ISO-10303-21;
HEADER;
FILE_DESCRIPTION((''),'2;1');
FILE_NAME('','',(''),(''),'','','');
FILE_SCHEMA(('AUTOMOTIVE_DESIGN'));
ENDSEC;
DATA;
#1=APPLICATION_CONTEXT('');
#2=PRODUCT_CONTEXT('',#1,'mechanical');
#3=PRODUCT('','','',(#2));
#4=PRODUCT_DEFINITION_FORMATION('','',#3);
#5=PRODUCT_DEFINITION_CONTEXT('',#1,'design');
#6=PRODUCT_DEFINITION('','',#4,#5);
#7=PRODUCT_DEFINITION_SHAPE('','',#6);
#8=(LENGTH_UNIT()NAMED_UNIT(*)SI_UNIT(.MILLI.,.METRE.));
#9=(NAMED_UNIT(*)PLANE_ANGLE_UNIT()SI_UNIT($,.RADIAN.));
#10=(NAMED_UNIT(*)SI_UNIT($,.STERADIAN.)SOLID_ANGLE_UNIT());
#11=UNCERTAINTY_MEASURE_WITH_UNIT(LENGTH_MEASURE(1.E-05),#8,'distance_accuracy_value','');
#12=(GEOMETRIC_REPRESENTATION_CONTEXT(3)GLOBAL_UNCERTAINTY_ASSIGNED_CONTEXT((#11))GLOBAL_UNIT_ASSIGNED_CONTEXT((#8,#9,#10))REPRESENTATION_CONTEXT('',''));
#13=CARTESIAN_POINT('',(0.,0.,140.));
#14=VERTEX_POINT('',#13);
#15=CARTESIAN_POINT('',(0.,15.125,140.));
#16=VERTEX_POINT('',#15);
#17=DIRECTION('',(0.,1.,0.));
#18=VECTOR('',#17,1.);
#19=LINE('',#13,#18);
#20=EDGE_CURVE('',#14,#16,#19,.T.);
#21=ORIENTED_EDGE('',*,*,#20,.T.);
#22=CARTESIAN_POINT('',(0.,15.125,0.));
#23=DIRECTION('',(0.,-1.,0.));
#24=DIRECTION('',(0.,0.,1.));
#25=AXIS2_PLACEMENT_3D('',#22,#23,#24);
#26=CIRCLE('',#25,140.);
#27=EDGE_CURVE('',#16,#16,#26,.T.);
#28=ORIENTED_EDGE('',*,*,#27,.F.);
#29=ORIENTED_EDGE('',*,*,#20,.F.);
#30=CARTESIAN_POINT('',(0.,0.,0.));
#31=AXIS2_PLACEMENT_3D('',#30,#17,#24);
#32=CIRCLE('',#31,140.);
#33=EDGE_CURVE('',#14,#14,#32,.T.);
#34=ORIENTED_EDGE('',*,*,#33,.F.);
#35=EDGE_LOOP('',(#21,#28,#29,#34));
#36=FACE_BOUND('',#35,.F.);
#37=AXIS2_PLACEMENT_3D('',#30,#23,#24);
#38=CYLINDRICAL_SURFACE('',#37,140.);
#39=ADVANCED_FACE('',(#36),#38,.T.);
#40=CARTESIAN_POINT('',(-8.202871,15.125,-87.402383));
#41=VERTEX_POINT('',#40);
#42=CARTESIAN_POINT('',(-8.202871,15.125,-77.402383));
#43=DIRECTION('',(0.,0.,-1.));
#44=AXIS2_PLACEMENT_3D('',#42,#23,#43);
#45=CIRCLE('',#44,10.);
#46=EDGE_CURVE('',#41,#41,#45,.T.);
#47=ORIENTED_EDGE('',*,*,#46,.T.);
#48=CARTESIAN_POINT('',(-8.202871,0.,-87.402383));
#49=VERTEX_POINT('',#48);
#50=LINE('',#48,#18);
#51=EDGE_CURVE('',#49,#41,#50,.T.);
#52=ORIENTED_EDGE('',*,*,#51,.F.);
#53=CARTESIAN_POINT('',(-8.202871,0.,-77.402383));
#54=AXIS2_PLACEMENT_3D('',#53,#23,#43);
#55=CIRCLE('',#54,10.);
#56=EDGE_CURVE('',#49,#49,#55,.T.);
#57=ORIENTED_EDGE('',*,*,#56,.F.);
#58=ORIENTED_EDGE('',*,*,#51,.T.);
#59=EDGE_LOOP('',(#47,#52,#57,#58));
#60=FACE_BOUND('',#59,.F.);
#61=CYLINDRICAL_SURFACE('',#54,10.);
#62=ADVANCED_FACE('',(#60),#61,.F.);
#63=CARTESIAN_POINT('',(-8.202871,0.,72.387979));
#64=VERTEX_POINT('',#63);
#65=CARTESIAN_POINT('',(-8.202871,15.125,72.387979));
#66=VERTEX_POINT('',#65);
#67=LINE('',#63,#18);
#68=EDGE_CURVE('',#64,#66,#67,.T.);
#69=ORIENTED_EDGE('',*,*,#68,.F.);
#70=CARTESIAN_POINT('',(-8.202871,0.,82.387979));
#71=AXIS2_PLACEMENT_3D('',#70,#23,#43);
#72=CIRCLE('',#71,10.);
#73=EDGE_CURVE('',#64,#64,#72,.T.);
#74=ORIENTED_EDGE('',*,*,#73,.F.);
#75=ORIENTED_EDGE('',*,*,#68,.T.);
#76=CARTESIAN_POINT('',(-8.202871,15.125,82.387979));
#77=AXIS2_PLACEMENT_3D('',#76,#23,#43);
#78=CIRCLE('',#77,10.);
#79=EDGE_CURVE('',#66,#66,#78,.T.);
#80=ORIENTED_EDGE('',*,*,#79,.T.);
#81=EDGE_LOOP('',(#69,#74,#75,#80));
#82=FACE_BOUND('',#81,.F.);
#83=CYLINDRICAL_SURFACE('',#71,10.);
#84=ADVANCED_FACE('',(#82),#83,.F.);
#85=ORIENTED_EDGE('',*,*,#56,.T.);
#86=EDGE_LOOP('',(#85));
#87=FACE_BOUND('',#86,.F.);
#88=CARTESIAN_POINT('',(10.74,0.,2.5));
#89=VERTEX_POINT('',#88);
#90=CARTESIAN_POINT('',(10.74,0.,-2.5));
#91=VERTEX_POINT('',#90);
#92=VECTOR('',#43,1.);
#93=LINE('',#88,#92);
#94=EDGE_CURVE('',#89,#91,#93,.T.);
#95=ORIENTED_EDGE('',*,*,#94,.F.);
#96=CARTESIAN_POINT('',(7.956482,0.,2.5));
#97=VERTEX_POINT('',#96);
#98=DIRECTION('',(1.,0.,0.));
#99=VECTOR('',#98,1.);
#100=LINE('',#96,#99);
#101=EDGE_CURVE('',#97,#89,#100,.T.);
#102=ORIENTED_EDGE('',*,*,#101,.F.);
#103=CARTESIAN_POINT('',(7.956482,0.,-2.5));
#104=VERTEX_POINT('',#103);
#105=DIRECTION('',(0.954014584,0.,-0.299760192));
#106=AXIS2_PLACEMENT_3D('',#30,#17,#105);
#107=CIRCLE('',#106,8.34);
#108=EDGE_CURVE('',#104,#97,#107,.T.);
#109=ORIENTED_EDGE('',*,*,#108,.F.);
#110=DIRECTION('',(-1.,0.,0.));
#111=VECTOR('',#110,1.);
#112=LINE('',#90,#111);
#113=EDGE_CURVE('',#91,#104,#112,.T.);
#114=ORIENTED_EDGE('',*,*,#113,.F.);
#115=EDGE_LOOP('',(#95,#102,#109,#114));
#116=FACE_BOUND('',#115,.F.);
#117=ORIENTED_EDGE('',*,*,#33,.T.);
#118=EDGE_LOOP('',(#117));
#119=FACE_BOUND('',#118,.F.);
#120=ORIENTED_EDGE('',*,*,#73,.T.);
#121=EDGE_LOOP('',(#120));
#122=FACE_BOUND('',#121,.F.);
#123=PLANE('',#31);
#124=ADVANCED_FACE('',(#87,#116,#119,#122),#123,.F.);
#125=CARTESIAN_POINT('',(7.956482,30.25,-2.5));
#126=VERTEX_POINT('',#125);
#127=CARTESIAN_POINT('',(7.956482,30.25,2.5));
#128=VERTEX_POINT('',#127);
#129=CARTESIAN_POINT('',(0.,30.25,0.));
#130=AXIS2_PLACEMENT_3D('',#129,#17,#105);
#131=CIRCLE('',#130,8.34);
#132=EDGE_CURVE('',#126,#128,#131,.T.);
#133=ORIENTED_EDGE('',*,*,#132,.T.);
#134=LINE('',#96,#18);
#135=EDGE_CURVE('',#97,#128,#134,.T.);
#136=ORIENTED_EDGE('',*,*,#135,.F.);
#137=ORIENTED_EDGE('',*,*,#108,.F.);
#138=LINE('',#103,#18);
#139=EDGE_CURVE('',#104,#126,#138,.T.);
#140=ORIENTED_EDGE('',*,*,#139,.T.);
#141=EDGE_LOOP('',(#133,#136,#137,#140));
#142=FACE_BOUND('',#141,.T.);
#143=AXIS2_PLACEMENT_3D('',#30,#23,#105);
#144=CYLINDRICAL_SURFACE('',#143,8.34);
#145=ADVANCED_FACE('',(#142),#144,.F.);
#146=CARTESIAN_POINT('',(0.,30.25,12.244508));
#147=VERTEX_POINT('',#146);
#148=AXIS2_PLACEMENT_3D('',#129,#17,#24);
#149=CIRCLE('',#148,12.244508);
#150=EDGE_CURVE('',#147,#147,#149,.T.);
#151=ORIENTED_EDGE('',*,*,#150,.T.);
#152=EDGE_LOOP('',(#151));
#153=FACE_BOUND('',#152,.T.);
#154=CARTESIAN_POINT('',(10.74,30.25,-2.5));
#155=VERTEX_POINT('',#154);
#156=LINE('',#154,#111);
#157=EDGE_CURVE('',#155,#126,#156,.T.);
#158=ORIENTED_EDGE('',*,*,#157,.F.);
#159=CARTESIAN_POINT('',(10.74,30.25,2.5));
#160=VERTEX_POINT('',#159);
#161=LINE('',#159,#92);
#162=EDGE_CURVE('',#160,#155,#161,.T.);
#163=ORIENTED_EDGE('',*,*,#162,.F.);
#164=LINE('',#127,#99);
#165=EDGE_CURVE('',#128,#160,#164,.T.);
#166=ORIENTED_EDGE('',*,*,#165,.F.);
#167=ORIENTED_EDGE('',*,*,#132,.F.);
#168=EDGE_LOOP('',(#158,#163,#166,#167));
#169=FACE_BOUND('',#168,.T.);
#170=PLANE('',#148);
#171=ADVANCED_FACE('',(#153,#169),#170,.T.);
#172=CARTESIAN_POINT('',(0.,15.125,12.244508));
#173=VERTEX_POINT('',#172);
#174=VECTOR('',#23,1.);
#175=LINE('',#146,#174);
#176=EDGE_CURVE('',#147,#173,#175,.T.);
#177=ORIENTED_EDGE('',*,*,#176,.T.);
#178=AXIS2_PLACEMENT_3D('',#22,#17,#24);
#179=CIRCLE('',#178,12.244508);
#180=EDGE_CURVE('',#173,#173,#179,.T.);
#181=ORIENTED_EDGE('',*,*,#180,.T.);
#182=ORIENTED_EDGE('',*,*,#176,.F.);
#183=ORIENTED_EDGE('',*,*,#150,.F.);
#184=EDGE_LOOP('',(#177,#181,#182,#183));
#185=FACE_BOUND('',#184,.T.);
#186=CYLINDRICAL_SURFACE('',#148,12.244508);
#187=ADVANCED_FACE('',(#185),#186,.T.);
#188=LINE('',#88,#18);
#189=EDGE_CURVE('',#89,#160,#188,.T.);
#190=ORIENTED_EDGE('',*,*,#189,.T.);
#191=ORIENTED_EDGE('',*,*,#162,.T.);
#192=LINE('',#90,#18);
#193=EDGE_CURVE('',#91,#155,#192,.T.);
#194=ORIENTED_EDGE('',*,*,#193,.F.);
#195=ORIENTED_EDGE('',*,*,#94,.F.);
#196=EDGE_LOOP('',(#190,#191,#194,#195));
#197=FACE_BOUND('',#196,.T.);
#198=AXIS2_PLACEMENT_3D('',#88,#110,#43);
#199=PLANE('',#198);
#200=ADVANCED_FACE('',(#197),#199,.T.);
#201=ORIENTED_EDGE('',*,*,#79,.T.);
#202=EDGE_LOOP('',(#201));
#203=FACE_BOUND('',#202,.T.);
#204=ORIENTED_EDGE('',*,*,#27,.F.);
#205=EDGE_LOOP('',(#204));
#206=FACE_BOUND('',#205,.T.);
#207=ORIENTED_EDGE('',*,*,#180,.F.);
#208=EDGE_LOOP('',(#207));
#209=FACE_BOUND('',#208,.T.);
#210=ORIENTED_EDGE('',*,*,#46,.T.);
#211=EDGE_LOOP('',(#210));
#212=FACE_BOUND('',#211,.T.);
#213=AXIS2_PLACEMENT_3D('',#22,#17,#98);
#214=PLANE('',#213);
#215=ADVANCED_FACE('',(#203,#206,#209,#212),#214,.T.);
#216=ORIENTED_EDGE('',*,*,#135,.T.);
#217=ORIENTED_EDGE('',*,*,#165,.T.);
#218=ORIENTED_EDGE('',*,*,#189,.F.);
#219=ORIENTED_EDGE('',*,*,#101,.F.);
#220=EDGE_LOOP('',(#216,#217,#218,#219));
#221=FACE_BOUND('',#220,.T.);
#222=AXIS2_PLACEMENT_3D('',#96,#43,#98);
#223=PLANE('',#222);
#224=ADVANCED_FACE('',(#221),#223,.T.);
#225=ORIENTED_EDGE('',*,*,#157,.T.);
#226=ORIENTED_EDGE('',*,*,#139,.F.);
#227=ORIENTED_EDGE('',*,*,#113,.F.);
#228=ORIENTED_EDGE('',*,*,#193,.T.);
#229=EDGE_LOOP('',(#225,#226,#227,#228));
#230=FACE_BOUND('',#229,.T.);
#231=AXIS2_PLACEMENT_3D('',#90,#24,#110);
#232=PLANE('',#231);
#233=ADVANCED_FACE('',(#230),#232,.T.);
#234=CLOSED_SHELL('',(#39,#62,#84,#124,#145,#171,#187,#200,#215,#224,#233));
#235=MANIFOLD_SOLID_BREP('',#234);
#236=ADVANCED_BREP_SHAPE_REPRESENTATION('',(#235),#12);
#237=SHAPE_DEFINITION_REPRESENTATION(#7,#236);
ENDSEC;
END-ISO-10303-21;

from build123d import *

# Parameters (mm, degrees)
SKETCH1_R           = 140
BOSS_EXTRUDE1_DEPTH = 30.25
SKETCH2_R           = 36.5
SKETCH2_R_2         = 12.2445076
CUT_EXTRUDE1_DEPTH  = 15.125
SKETCH3_R           = 150
SKETCH3_R_2         = 12.938699975
CUT_EXTRUDE3_DEPTH  = 60
SKETCH4_R           = 10
CUT_EXTRUDE4_DEPTH  = 20


with BuildPart() as part:
    # Sketch1 → Boss-Extrude1 (new body)
    with BuildSketch(Plane(origin=(0, 0, 0), x_dir=(1, 0, 0), z_dir=(0, 1, 0))):
        with Locations(Location((0, 0, 0), (0, 0, 270))):
            Circle(SKETCH1_R)
        with BuildLine():
            Line((10.74, 0), (10.74, 2.5))
            Line((10.74, 2.5), (7.956481634, 2.5))
            ThreePointArc((7.956481634, 2.5), (-8.34, 0), (7.956481634, -2.5))
            Line((7.956481634, -2.5), (10.74, -2.5))
            Line((10.74, -2.5), (10.74, 0))
        make_face(mode=Mode.SUBTRACT)
    extrude(amount=BOSS_EXTRUDE1_DEPTH)

    # Sketch2 → Cut-Extrude1 (cut)
    with BuildSketch(Plane(origin=(0, 30.25, 0), x_dir=(1, 0, 0), z_dir=(0, 1, 0))):
        with Locations(Location((0, 0, 0), (0, 0, 270))):
            Circle(SKETCH2_R)
        with Locations(Location((0, 0, 0), (0, 0, 270))):
            Circle(SKETCH2_R_2, mode=Mode.SUBTRACT)
    extrude(amount=-CUT_EXTRUDE1_DEPTH, mode=Mode.SUBTRACT)

    # Sketch3 → Cut-Extrude3 (cut)
    with BuildSketch(Plane(origin=(0, 15.125, 0), x_dir=(1, 0, 0), z_dir=(0, 1, 0))):
        Circle(SKETCH3_R)
        Circle(SKETCH3_R_2, mode=Mode.SUBTRACT)
    extrude(amount=CUT_EXTRUDE3_DEPTH, mode=Mode.SUBTRACT)

    # Sketch4 → Cut-Extrude4 (cut)
    with BuildSketch(Plane(origin=(0, 0, 0), x_dir=(-1, 0, 0), z_dir=(0, -1, 0))):
        with Locations(Location((8.202870942, 77.402383207, 0), (0, 0, 90))):
            Circle(SKETCH4_R)
        with Locations(Location((8.202870942, -82.387978989, 0), (0, 0, 90))):
            Circle(SKETCH4_R)
    extrude(amount=-CUT_EXTRUDE4_DEPTH, mode=Mode.SUBTRACT)


solid = part.part
